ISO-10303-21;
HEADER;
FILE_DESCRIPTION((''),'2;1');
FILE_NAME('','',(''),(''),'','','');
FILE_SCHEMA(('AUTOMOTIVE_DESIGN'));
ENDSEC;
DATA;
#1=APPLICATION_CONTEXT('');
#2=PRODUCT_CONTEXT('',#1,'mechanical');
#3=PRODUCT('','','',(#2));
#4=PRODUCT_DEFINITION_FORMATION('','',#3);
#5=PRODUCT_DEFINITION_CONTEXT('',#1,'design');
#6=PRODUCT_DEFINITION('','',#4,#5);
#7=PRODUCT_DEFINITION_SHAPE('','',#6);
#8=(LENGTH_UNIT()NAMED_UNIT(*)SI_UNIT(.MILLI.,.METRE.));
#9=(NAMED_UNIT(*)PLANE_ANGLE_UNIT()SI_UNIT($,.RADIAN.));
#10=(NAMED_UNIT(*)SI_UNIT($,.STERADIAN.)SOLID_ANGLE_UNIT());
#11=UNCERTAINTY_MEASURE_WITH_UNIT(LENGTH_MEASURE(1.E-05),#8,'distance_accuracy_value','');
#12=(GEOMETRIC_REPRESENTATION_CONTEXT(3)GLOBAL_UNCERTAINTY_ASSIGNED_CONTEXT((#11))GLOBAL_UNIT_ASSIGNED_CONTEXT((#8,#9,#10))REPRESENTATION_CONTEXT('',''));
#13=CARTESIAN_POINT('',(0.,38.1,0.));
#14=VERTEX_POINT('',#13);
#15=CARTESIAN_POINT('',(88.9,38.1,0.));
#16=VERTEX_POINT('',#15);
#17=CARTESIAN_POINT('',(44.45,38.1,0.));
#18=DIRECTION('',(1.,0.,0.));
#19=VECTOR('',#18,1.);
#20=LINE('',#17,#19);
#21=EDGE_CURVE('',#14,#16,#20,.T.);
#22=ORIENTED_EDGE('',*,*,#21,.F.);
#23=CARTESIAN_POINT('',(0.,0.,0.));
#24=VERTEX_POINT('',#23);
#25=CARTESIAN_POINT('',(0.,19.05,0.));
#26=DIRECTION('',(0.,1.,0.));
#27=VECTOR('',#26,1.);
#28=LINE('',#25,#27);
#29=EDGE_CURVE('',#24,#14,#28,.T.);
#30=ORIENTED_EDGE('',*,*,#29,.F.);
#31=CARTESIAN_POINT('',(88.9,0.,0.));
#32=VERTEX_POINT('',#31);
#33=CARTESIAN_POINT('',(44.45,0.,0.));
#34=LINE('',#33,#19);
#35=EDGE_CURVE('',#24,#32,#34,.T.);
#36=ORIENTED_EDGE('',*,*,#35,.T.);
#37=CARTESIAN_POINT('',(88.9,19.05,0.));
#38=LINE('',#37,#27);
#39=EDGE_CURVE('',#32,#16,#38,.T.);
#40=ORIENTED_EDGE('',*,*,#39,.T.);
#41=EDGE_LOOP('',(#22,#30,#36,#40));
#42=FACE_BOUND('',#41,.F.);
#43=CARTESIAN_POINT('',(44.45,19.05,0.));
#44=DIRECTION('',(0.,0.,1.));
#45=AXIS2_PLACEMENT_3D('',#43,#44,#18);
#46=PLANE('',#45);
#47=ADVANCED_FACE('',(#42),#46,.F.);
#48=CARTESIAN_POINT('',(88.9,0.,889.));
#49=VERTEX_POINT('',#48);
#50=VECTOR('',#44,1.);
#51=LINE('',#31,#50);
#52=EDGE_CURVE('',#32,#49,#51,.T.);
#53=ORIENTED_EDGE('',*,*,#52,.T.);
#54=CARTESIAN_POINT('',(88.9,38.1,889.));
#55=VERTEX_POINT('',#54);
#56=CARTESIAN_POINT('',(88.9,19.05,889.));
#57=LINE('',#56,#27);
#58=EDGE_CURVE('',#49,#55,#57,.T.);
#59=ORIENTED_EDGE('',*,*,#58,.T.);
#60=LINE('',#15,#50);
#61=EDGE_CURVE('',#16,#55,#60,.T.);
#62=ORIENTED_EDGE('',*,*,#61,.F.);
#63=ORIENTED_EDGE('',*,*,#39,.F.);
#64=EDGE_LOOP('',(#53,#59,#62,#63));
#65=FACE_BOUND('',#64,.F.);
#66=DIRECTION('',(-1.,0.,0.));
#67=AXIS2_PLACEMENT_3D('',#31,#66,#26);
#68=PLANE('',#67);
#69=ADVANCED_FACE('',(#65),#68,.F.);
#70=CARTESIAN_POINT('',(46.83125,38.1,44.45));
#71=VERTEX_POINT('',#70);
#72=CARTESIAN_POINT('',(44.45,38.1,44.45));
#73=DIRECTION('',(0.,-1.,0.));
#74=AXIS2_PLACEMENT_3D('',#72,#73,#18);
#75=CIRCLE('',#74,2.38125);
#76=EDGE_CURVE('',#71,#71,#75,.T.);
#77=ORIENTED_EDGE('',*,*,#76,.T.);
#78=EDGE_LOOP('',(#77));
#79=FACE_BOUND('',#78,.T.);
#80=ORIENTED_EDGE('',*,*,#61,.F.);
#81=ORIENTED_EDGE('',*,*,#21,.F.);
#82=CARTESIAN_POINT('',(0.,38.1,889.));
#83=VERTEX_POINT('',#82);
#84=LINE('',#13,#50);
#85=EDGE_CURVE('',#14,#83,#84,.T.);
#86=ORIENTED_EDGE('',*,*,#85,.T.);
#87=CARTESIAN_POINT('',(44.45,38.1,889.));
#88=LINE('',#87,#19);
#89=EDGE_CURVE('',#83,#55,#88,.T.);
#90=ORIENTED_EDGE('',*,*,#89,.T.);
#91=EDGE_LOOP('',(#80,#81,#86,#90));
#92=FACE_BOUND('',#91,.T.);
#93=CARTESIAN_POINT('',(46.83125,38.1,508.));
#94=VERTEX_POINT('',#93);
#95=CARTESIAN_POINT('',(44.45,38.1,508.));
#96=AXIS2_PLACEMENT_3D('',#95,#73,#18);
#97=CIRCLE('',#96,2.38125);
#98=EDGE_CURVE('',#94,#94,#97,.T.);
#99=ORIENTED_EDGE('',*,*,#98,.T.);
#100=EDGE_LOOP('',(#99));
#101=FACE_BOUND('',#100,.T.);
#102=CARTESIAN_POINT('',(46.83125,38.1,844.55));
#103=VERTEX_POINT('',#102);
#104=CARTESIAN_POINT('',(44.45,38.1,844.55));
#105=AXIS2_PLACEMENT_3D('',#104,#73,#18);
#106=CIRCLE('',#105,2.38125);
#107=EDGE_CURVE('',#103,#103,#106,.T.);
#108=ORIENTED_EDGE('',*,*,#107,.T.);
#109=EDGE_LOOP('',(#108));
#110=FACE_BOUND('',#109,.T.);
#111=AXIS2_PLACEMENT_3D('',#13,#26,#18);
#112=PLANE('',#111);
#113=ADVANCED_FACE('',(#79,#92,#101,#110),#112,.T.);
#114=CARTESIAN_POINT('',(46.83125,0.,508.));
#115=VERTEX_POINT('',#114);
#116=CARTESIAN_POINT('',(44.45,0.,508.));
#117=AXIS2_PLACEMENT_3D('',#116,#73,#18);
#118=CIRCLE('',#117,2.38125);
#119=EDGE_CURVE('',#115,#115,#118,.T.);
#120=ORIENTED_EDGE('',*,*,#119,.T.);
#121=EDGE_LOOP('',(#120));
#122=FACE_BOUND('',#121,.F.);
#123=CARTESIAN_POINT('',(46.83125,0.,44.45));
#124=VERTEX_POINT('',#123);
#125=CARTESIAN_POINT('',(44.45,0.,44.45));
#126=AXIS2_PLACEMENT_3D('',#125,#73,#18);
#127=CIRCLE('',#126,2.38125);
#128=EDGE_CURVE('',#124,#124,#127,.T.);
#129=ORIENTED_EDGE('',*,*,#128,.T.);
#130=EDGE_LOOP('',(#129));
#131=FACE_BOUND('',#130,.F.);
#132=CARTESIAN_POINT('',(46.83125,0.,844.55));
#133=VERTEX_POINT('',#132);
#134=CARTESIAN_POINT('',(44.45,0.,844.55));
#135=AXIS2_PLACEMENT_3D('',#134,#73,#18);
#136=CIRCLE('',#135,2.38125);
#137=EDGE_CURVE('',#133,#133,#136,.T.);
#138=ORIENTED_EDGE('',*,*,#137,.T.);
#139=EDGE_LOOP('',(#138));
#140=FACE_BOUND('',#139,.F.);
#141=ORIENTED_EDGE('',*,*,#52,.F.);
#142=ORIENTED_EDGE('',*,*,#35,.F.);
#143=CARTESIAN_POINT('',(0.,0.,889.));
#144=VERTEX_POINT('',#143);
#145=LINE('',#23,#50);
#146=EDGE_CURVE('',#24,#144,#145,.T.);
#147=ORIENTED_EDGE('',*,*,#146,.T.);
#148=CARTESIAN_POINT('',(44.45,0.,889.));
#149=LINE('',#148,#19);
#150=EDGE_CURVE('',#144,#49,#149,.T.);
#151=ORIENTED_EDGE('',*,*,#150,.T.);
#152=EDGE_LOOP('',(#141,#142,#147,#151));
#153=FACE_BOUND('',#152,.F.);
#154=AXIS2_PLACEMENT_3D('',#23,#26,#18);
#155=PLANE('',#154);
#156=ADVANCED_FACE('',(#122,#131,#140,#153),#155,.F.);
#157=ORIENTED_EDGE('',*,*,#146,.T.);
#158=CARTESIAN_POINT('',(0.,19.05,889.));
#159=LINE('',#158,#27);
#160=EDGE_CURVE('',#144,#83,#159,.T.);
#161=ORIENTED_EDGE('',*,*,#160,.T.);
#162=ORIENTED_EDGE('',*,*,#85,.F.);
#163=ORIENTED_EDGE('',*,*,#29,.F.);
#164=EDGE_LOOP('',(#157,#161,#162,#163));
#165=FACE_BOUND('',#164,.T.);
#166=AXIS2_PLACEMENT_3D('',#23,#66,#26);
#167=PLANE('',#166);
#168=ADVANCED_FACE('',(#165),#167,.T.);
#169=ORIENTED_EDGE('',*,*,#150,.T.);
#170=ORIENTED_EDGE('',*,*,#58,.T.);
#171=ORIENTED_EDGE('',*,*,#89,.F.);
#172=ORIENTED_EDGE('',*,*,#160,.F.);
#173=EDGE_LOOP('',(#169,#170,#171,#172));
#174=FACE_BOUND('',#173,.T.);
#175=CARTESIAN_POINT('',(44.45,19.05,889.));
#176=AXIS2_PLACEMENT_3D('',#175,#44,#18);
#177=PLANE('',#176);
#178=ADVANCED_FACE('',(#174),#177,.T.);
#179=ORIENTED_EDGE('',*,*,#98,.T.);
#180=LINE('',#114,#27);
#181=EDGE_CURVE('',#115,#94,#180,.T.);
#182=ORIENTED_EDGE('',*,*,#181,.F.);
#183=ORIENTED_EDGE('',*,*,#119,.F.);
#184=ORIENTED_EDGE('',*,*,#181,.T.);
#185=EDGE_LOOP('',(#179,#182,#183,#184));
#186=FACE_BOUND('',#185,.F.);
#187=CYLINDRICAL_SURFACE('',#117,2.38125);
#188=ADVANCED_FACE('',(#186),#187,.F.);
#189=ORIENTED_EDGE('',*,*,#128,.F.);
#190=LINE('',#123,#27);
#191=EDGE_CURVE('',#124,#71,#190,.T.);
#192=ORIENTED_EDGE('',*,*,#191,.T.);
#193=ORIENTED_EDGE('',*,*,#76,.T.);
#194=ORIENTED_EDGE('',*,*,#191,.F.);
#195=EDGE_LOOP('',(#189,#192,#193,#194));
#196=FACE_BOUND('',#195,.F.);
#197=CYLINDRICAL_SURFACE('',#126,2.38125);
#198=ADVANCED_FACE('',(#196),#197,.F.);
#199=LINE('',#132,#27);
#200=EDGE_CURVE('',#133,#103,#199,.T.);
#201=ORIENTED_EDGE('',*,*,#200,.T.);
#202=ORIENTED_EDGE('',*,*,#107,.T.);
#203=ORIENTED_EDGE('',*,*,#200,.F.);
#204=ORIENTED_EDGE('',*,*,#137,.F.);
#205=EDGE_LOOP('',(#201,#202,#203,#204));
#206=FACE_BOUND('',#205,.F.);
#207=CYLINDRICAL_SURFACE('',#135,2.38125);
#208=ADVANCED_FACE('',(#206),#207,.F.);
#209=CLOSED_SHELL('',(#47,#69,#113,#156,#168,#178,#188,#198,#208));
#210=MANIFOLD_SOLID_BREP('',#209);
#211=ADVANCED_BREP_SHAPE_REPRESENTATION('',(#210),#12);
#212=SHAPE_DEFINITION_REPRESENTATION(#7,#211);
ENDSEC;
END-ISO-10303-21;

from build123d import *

# Parameters (mm, degrees)
SKETCH001_AS_DRAWN_R                 = 2.38125
EXTRUDE001_DEPTH                     = 76.2
EXTRUDE001_ONTO_SKETCH001_ROLL_ANGLE = 90
SKETCH_W                             = 88.9
SKETCH_H                             = 38.1
EXTRUDE_DEPTH                        = 889


with BuildPart() as extrude001:
    # Sketch001 as drawn → Extrude001 (new)
    with BuildSketch(Plane.XY):
        with Locations((44.45, 44.45)):
            Circle(SKETCH001_AS_DRAWN_R)
        with Locations((44.45, 844.55)):
            Circle(SKETCH001_AS_DRAWN_R)
        with Locations((44.45, 508)):
            Circle(SKETCH001_AS_DRAWN_R)
    extrude(amount=-EXTRUDE001_DEPTH)


with BuildPart() as extrude001_1:
    # Extrude001 onto Sketch001 roll: moved
    add(extrude001.part.rotate(Axis((0, 0, 0), (1, 0, 0)), EXTRUDE001_ONTO_SKETCH001_ROLL_ANGLE))


with BuildPart() as extrude001_2:
    # Extrude001 onto Sketch001 placement: moved
    add(extrude001_1.part)


with BuildPart() as cut:
    # Sketch → Extrude (new body)
    with BuildSketch(Plane.XY):
        with Locations((44.45, 19.05)):
            Rectangle(SKETCH_W, SKETCH_H)
    extrude(amount=EXTRUDE_DEPTH)

    # Cut: cut Extrude001
    add(extrude001_2.part, mode=Mode.SUBTRACT)


solid = cut.part
